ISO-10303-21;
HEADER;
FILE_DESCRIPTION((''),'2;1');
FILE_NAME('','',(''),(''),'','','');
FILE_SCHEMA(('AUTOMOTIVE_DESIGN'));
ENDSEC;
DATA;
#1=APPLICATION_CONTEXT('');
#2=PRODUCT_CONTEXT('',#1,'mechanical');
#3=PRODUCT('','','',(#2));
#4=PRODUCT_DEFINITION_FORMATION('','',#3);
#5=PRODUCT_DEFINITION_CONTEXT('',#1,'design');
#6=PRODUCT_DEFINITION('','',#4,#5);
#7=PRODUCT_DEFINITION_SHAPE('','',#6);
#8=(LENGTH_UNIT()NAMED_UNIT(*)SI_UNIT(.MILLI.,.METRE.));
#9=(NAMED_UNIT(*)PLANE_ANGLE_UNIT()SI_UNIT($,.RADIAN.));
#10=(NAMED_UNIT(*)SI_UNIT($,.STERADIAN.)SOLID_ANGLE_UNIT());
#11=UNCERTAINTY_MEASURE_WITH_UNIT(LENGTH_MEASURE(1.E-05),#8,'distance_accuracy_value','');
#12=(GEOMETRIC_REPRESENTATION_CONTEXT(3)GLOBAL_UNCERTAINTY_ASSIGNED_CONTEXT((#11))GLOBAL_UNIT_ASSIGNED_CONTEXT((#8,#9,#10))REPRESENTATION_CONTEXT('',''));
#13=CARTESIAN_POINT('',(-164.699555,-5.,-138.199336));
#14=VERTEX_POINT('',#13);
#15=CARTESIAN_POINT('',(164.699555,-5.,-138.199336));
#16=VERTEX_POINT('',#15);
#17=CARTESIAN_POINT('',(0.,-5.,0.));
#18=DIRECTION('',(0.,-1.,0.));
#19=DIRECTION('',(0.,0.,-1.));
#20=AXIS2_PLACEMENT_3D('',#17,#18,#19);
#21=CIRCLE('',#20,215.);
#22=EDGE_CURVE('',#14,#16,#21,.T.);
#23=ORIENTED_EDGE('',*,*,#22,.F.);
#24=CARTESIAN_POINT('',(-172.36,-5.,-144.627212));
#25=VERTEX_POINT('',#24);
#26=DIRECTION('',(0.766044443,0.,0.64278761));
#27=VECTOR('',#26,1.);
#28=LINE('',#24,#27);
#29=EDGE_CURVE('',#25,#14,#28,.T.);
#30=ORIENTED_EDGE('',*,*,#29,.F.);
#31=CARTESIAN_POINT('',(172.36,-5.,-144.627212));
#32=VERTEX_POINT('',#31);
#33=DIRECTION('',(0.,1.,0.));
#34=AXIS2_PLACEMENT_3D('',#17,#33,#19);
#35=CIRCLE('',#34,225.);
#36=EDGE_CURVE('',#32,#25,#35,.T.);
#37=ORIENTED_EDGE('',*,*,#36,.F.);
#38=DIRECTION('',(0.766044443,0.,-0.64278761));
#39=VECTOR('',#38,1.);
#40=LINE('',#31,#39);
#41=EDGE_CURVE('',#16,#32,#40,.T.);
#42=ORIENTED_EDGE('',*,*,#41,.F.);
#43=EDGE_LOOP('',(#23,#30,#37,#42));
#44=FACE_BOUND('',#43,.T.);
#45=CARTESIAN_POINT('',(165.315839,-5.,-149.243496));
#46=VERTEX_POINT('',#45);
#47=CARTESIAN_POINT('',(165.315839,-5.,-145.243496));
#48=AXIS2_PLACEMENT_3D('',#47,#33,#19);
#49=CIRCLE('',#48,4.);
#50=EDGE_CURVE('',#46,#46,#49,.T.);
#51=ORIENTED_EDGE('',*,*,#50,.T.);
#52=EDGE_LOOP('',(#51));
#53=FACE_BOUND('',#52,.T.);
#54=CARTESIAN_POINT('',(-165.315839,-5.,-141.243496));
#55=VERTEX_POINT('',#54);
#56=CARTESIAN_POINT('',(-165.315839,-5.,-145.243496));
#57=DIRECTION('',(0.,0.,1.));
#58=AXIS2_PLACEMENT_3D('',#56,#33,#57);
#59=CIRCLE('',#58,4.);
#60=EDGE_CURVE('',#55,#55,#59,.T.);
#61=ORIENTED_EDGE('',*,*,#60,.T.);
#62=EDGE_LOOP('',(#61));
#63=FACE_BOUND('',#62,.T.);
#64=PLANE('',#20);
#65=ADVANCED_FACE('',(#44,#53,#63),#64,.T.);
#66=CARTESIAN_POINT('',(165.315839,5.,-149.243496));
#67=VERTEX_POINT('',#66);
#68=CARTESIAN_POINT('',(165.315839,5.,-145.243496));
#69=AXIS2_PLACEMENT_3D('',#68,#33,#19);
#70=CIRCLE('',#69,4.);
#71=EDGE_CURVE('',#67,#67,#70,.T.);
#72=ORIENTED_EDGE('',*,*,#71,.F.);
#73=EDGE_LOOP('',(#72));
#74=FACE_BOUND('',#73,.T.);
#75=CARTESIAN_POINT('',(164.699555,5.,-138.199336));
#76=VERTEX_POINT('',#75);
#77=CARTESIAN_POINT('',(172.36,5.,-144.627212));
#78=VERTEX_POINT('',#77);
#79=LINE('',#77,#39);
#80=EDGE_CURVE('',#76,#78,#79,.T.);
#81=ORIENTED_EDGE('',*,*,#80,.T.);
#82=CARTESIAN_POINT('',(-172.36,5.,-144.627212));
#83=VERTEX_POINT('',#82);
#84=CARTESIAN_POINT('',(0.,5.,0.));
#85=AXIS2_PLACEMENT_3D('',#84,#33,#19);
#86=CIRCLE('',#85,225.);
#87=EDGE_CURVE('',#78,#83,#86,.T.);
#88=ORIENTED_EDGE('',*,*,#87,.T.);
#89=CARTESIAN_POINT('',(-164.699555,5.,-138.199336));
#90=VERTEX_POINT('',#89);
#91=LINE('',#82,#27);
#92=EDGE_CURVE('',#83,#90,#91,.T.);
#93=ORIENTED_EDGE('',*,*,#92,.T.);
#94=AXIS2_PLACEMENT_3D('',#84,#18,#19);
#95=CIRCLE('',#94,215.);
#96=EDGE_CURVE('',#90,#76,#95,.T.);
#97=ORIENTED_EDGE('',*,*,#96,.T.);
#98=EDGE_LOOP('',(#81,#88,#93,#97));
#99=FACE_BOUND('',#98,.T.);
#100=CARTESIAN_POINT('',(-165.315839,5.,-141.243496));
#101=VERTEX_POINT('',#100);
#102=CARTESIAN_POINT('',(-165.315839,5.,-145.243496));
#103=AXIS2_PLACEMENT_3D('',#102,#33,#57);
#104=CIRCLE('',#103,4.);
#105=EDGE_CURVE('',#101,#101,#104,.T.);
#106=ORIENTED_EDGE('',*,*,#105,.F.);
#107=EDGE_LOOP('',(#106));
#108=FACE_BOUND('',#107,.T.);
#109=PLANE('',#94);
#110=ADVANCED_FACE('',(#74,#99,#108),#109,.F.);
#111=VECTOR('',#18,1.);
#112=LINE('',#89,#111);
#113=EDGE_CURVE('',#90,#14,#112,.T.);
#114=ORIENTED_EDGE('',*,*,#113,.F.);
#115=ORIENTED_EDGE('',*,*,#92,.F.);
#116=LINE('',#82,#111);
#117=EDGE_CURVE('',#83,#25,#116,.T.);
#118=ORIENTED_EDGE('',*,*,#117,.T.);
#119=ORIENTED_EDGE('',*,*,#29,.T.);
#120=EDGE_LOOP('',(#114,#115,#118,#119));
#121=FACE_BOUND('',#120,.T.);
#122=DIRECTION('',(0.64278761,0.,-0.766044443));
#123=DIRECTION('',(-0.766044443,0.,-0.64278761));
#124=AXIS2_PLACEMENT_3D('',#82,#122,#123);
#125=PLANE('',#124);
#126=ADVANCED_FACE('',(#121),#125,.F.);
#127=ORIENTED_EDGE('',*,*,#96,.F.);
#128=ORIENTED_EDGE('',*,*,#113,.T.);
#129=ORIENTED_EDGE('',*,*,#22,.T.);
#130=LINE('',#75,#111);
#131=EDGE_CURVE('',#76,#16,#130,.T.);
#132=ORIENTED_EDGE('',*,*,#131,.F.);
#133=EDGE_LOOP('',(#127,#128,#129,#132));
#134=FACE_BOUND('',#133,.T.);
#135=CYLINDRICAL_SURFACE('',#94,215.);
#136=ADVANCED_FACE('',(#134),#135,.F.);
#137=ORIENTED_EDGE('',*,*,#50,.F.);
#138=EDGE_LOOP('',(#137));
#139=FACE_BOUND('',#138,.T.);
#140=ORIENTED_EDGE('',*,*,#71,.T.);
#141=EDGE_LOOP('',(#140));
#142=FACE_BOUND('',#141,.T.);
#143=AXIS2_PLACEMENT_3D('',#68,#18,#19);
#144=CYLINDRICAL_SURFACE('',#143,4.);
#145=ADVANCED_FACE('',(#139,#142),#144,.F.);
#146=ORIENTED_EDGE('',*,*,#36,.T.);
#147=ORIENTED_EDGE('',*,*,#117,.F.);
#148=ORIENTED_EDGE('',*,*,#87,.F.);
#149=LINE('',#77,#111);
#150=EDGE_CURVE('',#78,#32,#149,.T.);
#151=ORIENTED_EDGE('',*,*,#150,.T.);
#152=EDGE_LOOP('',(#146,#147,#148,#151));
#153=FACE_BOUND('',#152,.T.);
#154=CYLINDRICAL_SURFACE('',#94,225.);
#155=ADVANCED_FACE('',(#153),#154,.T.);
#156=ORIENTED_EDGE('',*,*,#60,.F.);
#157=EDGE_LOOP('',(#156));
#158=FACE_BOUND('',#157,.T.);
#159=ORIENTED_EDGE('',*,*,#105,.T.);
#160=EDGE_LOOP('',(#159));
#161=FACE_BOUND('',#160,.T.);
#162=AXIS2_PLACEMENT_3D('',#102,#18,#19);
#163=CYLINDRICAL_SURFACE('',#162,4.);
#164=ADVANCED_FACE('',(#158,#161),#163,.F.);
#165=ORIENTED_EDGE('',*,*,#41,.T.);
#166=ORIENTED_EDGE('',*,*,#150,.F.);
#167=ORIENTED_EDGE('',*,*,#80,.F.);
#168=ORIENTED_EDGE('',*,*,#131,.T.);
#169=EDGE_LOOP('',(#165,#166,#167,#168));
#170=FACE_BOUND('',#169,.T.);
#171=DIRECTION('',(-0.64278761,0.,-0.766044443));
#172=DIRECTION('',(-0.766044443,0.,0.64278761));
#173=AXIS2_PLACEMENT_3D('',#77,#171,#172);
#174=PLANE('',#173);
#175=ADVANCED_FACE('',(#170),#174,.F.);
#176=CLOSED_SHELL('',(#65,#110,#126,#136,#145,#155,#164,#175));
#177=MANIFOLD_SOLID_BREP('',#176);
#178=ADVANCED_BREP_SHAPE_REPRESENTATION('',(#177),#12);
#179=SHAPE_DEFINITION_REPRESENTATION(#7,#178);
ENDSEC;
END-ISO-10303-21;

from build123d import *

# Parameters (mm, degrees)
SKETCH1_R           = 4
BOSS_EXTRUDE1_DEPTH = 5


with BuildPart() as part:
    # Sketch1 → Boss-Extrude1 (new body, symmetric)
    with BuildSketch(Plane(origin=(0, 0, 0), x_dir=(1, 0, 0), z_dir=(0, 1, 0))):
        with BuildLine():
            Line((-172.359999702, 144.627212179), (-164.699555271, 138.199336083))
            ThreePointArc((-164.699555271, 138.199336083), (0, 215), (164.699555271, 138.199336083))
            Line((164.699555271, 138.199336083), (172.359999702, 144.627212179))
            ThreePointArc((172.359999702, 144.627212179), (0, 225), (-172.359999702, 144.627212179))
        make_face()
        with Locations((-165.315839438, 145.243496347)):
            Circle(SKETCH1_R, mode=Mode.SUBTRACT)
        with Locations((165.315839438, 145.243496347)):
            Circle(SKETCH1_R, mode=Mode.SUBTRACT)
    extrude(amount=BOSS_EXTRUDE1_DEPTH, both=True)


solid = part.part
